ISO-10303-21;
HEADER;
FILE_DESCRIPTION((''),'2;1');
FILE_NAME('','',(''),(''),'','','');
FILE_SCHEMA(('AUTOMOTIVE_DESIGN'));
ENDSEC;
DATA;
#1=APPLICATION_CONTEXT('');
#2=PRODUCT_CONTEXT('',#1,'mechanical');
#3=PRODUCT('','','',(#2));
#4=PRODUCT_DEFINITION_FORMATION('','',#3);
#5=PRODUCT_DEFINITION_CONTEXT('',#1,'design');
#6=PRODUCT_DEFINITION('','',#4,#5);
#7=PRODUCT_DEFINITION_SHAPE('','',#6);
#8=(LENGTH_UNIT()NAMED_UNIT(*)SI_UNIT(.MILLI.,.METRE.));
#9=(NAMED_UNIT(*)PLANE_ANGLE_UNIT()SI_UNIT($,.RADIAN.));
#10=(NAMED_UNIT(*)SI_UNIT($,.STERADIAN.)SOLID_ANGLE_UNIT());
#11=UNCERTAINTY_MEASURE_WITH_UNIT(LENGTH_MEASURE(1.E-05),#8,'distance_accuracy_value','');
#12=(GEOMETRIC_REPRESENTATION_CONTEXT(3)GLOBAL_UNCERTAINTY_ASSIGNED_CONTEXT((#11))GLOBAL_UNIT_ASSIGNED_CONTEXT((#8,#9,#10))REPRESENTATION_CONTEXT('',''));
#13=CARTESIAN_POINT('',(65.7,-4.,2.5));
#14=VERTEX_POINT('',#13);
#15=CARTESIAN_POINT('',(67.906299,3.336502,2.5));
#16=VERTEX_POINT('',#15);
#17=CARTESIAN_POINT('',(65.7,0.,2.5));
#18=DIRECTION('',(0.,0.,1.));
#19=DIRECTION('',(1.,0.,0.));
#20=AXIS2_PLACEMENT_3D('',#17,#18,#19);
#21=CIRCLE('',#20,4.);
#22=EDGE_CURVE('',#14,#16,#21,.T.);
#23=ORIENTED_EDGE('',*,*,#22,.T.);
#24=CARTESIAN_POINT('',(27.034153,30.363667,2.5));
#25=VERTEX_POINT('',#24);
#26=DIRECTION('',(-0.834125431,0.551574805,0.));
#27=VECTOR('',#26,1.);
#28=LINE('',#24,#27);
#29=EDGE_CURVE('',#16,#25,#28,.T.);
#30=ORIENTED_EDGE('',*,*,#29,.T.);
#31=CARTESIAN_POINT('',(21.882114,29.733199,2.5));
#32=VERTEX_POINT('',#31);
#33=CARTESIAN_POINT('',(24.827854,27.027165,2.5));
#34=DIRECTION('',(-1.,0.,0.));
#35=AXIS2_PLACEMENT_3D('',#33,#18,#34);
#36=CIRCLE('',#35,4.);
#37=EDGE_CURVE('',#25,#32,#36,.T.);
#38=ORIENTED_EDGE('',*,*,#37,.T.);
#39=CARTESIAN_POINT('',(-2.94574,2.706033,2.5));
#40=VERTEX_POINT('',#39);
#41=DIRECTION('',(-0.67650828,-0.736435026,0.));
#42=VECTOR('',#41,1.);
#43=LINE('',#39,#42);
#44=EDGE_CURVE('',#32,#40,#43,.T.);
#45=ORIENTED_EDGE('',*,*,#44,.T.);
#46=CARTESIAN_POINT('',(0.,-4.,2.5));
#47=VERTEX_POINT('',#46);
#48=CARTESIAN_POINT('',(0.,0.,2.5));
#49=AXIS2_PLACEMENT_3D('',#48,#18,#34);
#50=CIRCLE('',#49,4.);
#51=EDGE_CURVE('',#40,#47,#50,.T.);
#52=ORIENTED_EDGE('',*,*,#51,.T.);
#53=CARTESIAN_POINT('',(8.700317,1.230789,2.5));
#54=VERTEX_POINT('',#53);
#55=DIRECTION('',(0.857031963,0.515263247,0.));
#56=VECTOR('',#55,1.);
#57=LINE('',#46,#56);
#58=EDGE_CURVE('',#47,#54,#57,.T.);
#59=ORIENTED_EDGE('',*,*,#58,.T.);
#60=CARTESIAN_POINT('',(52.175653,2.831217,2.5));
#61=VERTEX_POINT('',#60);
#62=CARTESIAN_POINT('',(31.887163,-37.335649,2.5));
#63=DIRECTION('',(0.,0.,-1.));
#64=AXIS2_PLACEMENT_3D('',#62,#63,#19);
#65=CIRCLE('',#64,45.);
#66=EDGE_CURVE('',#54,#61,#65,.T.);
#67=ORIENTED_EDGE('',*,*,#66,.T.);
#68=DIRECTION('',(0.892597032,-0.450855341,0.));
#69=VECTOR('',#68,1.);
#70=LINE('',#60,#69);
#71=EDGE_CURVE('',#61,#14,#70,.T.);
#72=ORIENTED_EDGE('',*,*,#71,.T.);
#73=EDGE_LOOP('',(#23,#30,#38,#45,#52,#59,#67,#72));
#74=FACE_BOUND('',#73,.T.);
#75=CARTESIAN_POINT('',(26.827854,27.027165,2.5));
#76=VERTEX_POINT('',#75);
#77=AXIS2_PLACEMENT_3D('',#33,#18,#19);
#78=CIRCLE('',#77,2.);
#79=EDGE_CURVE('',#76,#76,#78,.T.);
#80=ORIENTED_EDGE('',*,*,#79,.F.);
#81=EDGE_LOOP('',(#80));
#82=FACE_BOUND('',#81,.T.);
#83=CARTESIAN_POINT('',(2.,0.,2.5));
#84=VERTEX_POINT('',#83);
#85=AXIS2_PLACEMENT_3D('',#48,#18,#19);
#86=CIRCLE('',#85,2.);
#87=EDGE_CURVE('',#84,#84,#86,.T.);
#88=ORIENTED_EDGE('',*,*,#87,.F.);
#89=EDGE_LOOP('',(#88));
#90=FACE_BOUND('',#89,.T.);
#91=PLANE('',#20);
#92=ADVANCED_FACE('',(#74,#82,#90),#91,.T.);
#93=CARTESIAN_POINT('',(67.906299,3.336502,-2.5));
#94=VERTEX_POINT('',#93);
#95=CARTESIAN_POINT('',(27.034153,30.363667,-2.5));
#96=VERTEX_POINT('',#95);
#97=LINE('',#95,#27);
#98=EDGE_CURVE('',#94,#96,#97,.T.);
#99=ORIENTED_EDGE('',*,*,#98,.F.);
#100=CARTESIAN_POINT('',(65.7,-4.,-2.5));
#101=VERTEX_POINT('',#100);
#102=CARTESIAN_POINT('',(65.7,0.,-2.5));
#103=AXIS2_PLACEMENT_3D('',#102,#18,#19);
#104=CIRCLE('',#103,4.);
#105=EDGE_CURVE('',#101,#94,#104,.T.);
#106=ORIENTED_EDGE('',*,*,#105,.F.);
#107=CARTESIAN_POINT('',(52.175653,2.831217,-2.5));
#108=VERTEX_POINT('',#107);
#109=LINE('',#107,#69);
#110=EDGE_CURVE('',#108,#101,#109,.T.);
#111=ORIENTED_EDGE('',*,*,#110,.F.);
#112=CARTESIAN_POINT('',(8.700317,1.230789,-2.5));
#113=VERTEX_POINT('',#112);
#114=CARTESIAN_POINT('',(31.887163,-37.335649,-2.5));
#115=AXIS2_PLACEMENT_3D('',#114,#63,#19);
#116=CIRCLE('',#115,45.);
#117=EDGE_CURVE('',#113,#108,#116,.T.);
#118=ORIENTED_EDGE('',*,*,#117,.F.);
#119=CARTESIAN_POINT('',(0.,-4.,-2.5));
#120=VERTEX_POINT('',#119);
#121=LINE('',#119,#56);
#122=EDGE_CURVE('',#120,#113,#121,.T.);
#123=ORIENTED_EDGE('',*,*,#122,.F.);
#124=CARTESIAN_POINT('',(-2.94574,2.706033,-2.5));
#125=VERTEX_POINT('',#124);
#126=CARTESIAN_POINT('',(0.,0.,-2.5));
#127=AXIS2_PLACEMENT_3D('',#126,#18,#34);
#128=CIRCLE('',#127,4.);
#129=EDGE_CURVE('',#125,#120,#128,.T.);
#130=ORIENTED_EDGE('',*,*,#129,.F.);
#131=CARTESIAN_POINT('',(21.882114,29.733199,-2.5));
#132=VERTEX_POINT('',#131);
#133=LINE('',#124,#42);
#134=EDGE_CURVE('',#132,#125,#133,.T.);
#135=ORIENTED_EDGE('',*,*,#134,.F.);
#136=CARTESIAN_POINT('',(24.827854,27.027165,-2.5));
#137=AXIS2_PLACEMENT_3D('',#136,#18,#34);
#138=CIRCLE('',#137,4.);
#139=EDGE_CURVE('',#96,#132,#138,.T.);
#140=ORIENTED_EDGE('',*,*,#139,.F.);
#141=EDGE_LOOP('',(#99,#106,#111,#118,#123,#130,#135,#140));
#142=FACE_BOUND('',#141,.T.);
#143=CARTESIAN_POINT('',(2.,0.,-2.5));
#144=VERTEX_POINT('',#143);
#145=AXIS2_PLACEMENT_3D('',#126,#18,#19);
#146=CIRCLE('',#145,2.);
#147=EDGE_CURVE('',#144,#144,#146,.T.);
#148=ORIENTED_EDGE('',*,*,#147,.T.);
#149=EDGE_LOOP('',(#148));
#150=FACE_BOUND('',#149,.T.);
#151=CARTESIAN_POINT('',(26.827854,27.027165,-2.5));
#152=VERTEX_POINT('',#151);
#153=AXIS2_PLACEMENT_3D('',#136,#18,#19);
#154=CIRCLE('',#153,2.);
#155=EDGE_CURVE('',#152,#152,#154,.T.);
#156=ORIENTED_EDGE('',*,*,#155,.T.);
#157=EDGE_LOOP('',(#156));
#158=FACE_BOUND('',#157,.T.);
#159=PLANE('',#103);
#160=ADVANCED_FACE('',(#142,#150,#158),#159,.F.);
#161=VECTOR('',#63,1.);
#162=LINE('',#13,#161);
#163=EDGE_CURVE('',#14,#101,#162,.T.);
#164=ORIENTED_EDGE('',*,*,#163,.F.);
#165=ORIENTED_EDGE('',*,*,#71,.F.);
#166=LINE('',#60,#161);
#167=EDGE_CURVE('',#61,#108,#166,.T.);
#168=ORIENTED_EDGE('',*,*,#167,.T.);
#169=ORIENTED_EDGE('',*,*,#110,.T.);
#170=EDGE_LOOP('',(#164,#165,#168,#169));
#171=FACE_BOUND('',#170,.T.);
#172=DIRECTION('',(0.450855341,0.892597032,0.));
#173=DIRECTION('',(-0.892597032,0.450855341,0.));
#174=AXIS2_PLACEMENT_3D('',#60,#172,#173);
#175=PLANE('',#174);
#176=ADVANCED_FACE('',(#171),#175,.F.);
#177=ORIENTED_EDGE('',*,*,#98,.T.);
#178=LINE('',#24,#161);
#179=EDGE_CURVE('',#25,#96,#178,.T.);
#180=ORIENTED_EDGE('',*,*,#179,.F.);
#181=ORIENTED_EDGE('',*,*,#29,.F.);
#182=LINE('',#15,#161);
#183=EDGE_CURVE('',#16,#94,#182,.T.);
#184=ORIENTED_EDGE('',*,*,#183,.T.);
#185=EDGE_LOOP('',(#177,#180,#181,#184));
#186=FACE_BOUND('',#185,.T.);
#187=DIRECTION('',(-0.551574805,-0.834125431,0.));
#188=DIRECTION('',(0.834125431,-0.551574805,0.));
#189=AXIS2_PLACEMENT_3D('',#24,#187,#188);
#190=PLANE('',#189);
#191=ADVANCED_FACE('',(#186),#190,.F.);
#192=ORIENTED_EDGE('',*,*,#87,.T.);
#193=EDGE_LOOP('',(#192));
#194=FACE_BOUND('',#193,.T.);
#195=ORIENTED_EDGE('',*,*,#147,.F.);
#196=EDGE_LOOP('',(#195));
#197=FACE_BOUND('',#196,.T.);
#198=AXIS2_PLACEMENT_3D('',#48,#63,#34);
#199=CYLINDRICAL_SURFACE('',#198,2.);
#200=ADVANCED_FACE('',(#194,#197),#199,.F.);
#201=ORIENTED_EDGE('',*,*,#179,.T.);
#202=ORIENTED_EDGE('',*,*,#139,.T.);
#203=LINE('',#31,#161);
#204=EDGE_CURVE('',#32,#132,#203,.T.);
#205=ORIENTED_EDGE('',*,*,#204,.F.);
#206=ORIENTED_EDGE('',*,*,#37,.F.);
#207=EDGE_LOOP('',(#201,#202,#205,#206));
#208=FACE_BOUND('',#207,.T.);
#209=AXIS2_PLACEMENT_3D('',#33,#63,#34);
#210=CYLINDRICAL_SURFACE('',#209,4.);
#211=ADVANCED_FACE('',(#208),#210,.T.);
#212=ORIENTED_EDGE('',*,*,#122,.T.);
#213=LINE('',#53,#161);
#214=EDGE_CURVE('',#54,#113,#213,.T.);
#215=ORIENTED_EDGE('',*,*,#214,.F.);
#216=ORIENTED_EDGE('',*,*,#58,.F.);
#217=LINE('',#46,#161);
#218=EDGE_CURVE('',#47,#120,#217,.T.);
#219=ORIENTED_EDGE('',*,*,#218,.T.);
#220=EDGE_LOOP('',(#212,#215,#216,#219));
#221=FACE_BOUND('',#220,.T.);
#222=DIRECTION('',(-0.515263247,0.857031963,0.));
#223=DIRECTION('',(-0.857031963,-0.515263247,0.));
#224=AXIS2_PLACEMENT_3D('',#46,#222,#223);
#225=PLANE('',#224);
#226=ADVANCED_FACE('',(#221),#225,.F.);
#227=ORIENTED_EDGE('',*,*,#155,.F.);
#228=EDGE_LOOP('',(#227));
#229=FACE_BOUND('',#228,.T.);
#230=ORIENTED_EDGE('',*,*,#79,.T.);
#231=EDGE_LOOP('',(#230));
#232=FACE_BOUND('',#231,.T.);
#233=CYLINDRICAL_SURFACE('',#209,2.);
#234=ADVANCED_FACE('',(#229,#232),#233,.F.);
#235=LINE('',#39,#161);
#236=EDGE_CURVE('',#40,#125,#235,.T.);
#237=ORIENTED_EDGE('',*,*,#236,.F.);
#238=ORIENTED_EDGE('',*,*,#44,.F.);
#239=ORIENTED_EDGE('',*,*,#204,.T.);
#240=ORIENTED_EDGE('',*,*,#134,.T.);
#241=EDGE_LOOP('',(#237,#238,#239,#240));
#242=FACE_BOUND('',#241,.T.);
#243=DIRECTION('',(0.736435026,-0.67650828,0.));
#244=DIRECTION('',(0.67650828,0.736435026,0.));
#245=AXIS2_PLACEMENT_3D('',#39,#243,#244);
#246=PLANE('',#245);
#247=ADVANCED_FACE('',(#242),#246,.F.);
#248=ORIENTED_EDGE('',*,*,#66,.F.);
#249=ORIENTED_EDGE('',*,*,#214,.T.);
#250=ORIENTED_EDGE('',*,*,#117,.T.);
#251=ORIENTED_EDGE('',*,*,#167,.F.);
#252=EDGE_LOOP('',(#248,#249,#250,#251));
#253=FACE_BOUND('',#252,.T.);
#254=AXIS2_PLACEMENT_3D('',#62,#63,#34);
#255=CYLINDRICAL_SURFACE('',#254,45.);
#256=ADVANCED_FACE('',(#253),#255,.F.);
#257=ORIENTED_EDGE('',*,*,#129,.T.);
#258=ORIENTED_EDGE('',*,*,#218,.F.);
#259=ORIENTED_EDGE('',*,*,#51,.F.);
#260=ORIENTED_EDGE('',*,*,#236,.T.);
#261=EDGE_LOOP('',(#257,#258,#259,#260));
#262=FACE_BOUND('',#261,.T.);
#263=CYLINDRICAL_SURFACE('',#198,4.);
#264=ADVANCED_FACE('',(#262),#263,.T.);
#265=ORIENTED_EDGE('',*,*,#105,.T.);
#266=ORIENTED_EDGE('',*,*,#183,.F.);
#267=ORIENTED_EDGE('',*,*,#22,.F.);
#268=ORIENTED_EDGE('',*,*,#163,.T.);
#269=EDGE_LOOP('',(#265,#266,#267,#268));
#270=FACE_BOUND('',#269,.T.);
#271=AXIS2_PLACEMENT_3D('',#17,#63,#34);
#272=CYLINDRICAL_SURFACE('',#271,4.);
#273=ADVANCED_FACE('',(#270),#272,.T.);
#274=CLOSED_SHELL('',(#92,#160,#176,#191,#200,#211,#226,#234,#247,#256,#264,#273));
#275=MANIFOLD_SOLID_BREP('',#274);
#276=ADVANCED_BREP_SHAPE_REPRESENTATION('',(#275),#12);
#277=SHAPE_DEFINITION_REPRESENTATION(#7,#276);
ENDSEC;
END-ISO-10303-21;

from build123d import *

# Parameters (mm, degrees)
SKETCH_2_R      = 2
EXTRUDE_1_DEPTH = 2.5


with BuildPart() as part:
    # 草圖2 → 填料-伸長1 (new, symmetric)
    with BuildSketch(Plane.XY):
        with BuildLine():
            Line((27.034153101, 30.363667163), (67.906299219, 3.336501724))
            ThreePointArc((67.906299219, 3.336501724), (69.530535661, -1.151953364), (65.7, -4))
            Line((65.7, -4), (52.175653003, 2.831217066))
            ThreePointArc((52.175653003, 2.831217066), (30.231729467, 7.633890773), (8.700316547, 1.230788983))
            Line((8.700316547, 1.230788983), (0, -4))
            ThreePointArc((0, -4), (-3.662248796, -1.608705616), (-2.945740102, 2.706033121))
            Line((-2.945740102, 2.706033121), (21.882113779, 29.733198559))
            ThreePointArc((21.882113779, 29.733198559), (24.341987779, 30.997547553), (27.034153101, 30.363667163))
        make_face()
        Circle(SKETCH_2_R, mode=Mode.SUBTRACT)
        with Locations((24.827853881, 27.027165439)):
            Circle(SKETCH_2_R, mode=Mode.SUBTRACT)
    extrude(amount=EXTRUDE_1_DEPTH, both=True)


solid = part.part
